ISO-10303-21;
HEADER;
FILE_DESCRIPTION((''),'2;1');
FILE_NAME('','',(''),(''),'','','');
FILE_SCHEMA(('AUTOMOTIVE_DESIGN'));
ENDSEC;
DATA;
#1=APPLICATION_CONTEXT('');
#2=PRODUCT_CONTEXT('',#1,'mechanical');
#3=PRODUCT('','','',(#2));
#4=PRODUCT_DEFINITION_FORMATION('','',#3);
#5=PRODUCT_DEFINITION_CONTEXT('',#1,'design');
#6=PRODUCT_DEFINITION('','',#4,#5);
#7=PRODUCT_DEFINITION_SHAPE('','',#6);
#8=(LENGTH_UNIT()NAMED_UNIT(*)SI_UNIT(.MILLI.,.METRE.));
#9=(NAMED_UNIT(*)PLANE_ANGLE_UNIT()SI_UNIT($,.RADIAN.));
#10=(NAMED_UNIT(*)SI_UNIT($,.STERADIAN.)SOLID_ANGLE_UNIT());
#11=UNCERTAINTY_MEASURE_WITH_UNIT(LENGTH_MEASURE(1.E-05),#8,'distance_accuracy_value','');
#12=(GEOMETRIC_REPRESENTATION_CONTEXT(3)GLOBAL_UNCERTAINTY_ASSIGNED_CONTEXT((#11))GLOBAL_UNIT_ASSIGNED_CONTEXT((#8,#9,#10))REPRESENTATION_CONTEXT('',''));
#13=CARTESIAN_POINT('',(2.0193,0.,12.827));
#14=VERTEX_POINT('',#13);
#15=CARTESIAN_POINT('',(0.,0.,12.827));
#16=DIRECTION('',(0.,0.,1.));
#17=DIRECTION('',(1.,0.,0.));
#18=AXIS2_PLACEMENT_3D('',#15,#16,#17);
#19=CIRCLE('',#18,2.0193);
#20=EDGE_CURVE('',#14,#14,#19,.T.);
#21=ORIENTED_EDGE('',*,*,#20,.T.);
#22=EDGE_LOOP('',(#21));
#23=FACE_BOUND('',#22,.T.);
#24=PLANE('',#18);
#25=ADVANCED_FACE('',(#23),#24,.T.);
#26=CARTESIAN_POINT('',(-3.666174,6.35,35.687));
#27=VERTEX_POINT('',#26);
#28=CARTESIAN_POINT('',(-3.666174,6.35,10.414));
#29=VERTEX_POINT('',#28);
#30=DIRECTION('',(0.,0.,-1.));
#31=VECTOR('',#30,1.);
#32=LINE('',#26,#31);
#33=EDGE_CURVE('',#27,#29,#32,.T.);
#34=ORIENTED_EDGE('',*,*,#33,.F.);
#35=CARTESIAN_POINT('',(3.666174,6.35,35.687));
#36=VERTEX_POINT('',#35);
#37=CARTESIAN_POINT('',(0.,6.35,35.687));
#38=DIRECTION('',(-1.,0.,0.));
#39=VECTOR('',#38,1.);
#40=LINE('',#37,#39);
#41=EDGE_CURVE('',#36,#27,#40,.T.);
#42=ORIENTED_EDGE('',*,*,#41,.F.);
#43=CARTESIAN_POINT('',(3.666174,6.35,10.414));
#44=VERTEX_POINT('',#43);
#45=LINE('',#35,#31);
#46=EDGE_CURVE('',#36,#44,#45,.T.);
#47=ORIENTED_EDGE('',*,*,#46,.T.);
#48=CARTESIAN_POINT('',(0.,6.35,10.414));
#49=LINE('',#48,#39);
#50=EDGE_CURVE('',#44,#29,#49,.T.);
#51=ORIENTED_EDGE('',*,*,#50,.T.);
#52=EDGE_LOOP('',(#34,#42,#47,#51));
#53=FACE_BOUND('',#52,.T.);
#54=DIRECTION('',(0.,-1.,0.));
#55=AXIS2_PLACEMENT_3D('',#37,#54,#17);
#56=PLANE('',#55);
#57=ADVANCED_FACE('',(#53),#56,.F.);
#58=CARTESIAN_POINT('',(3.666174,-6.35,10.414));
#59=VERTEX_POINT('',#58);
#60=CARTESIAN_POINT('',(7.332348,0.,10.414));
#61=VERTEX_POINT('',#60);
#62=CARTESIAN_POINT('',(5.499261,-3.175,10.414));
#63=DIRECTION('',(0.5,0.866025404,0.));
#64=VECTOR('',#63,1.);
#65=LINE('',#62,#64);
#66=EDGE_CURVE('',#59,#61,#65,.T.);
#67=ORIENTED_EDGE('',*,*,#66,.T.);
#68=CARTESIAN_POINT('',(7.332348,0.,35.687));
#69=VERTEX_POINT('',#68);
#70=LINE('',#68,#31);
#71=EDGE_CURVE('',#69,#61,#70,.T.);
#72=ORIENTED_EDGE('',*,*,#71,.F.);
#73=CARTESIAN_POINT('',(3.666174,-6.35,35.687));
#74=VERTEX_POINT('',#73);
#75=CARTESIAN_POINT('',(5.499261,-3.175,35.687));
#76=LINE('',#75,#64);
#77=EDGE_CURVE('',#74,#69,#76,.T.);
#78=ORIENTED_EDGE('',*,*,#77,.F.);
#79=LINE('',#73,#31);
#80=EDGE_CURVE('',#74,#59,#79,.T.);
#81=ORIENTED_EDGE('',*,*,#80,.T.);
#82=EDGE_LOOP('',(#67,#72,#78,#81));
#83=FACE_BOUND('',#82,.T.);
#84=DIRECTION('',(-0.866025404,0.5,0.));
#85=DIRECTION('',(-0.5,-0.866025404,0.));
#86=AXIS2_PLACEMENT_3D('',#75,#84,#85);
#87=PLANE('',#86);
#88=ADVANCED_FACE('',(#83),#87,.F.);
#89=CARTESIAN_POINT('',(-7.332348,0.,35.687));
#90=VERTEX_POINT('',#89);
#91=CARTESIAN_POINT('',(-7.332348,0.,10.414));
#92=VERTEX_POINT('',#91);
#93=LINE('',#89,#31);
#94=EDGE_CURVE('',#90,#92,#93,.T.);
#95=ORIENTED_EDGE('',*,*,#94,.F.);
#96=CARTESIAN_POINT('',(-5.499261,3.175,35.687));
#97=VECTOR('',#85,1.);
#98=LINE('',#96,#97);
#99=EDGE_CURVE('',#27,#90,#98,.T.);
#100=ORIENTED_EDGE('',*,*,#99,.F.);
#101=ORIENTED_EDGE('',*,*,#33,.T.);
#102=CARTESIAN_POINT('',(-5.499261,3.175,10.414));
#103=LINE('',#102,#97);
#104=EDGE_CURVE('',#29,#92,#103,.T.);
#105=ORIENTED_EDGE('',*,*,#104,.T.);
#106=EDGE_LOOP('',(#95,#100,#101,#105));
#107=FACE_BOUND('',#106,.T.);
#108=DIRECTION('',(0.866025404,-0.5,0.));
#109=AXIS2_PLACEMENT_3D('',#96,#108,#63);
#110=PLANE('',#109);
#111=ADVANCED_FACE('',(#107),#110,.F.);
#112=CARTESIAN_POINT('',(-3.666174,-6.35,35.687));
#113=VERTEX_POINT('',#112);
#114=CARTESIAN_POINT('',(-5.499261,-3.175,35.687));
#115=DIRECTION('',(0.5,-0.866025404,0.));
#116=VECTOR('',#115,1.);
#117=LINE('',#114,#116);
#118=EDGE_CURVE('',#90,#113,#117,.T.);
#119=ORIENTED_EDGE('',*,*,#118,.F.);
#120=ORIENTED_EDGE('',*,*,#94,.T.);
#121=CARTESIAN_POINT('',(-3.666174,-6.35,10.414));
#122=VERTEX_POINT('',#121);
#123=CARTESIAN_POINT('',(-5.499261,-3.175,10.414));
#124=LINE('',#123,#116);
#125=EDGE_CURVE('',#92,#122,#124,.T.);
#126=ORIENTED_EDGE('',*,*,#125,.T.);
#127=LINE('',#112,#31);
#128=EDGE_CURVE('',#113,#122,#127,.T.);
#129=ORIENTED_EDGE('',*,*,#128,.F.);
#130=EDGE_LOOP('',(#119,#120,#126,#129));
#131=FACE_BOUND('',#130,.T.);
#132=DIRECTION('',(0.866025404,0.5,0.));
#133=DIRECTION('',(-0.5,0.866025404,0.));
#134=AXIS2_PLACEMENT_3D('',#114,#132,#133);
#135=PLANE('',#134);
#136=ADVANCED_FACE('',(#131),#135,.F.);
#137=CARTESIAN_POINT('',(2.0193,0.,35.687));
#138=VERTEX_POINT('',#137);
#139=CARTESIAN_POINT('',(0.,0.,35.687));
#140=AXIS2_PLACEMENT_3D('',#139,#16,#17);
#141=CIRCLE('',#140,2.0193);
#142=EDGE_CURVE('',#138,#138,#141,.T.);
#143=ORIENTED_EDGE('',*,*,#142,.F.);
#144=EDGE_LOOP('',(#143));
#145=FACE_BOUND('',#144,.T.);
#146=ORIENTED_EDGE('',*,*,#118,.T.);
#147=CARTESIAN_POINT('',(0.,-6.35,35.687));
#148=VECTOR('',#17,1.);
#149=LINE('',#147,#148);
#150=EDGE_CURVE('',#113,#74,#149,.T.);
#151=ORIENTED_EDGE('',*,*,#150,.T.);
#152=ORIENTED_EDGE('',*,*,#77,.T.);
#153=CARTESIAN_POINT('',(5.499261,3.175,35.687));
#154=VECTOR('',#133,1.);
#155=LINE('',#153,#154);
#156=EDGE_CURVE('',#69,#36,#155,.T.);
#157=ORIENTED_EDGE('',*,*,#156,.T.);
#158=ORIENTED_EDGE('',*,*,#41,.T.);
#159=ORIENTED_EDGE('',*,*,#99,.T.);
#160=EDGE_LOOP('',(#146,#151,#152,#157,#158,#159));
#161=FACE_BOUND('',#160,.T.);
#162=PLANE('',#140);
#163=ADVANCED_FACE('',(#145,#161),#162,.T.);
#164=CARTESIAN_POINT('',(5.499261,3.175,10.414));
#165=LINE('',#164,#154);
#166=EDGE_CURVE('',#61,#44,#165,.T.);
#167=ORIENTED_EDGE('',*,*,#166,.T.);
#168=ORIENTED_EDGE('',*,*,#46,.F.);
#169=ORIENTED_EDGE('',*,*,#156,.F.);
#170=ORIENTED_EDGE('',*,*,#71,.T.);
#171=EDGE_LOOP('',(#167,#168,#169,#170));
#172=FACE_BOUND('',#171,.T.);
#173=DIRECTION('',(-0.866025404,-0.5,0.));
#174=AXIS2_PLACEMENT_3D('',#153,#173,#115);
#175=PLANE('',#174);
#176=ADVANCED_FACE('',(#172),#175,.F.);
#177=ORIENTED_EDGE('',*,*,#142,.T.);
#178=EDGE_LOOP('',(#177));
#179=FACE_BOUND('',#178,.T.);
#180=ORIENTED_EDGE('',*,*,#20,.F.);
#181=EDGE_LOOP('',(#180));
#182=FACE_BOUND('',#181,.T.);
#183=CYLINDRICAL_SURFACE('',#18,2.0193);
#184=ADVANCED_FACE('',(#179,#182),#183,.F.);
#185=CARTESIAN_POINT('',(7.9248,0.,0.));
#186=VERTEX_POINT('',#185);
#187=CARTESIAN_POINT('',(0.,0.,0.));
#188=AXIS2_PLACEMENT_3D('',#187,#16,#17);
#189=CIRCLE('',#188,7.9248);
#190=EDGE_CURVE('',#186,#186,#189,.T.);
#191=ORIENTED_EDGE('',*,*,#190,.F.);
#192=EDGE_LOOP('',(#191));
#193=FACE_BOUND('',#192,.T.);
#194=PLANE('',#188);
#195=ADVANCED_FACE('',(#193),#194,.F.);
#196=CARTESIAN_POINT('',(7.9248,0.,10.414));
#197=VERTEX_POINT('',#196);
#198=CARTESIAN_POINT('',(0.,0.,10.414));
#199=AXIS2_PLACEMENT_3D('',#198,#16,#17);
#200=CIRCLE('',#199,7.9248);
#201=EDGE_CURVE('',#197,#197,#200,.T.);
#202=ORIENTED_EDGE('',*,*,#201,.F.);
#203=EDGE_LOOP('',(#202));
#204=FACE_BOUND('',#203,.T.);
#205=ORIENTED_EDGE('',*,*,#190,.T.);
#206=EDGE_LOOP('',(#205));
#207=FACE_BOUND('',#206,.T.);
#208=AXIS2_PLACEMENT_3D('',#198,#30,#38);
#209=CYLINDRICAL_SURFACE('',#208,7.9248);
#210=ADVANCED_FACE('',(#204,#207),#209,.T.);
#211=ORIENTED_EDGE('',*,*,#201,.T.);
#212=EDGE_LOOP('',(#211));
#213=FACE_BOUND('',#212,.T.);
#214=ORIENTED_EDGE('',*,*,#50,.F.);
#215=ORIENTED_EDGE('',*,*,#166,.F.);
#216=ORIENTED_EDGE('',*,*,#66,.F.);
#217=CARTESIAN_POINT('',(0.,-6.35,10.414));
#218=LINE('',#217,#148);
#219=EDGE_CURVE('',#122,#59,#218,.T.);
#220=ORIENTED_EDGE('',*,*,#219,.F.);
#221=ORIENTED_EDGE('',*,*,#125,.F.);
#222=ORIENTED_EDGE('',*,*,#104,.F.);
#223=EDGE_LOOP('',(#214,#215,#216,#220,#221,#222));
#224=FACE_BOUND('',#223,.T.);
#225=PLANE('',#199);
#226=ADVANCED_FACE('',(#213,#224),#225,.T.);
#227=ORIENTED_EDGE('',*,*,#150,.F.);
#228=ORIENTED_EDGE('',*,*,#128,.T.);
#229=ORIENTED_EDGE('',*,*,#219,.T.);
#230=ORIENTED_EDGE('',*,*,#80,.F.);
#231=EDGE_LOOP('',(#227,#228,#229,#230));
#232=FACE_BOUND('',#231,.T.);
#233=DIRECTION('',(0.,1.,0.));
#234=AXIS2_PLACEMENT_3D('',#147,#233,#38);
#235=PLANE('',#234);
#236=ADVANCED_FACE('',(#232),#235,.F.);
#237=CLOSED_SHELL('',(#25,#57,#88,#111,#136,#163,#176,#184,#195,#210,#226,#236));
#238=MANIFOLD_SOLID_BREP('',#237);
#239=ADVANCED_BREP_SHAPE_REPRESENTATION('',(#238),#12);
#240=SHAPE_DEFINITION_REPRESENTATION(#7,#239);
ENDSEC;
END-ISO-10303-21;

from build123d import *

# Parameters (mm, degrees)
SKETCH2_R           = 7.9248
BOSS_EXTRUDE1_DEPTH = 10.414
BOSS_EXTRUDE2_DEPTH = 25.273
SKETCH4_R           = 2.0193
CUT_EXTRUDE1_DEPTH  = 22.86


with BuildPart() as part:
    # Sketch2 → Boss-Extrude1 (new body)
    with BuildSketch(Plane.XY):
        Circle(SKETCH2_R)
    extrude(amount=BOSS_EXTRUDE1_DEPTH)

    # Sketch3 → Boss-Extrude2 (add)
    with BuildSketch(Plane.XY.offset(10.414)):
        Polygon((7.332348419, 0), (3.666174209, 6.35), (-3.666174209, 6.35), (-7.332348419, 0), (-3.666174209, -6.35), (3.666174209, -6.35), align=None)
    extrude(amount=BOSS_EXTRUDE2_DEPTH)

    # Sketch4 → Cut-Extrude1 (cut)
    with BuildSketch(Plane.XY.offset(35.687)):
        Circle(SKETCH4_R)
    extrude(amount=-CUT_EXTRUDE1_DEPTH, mode=Mode.SUBTRACT)


solid = part.part
